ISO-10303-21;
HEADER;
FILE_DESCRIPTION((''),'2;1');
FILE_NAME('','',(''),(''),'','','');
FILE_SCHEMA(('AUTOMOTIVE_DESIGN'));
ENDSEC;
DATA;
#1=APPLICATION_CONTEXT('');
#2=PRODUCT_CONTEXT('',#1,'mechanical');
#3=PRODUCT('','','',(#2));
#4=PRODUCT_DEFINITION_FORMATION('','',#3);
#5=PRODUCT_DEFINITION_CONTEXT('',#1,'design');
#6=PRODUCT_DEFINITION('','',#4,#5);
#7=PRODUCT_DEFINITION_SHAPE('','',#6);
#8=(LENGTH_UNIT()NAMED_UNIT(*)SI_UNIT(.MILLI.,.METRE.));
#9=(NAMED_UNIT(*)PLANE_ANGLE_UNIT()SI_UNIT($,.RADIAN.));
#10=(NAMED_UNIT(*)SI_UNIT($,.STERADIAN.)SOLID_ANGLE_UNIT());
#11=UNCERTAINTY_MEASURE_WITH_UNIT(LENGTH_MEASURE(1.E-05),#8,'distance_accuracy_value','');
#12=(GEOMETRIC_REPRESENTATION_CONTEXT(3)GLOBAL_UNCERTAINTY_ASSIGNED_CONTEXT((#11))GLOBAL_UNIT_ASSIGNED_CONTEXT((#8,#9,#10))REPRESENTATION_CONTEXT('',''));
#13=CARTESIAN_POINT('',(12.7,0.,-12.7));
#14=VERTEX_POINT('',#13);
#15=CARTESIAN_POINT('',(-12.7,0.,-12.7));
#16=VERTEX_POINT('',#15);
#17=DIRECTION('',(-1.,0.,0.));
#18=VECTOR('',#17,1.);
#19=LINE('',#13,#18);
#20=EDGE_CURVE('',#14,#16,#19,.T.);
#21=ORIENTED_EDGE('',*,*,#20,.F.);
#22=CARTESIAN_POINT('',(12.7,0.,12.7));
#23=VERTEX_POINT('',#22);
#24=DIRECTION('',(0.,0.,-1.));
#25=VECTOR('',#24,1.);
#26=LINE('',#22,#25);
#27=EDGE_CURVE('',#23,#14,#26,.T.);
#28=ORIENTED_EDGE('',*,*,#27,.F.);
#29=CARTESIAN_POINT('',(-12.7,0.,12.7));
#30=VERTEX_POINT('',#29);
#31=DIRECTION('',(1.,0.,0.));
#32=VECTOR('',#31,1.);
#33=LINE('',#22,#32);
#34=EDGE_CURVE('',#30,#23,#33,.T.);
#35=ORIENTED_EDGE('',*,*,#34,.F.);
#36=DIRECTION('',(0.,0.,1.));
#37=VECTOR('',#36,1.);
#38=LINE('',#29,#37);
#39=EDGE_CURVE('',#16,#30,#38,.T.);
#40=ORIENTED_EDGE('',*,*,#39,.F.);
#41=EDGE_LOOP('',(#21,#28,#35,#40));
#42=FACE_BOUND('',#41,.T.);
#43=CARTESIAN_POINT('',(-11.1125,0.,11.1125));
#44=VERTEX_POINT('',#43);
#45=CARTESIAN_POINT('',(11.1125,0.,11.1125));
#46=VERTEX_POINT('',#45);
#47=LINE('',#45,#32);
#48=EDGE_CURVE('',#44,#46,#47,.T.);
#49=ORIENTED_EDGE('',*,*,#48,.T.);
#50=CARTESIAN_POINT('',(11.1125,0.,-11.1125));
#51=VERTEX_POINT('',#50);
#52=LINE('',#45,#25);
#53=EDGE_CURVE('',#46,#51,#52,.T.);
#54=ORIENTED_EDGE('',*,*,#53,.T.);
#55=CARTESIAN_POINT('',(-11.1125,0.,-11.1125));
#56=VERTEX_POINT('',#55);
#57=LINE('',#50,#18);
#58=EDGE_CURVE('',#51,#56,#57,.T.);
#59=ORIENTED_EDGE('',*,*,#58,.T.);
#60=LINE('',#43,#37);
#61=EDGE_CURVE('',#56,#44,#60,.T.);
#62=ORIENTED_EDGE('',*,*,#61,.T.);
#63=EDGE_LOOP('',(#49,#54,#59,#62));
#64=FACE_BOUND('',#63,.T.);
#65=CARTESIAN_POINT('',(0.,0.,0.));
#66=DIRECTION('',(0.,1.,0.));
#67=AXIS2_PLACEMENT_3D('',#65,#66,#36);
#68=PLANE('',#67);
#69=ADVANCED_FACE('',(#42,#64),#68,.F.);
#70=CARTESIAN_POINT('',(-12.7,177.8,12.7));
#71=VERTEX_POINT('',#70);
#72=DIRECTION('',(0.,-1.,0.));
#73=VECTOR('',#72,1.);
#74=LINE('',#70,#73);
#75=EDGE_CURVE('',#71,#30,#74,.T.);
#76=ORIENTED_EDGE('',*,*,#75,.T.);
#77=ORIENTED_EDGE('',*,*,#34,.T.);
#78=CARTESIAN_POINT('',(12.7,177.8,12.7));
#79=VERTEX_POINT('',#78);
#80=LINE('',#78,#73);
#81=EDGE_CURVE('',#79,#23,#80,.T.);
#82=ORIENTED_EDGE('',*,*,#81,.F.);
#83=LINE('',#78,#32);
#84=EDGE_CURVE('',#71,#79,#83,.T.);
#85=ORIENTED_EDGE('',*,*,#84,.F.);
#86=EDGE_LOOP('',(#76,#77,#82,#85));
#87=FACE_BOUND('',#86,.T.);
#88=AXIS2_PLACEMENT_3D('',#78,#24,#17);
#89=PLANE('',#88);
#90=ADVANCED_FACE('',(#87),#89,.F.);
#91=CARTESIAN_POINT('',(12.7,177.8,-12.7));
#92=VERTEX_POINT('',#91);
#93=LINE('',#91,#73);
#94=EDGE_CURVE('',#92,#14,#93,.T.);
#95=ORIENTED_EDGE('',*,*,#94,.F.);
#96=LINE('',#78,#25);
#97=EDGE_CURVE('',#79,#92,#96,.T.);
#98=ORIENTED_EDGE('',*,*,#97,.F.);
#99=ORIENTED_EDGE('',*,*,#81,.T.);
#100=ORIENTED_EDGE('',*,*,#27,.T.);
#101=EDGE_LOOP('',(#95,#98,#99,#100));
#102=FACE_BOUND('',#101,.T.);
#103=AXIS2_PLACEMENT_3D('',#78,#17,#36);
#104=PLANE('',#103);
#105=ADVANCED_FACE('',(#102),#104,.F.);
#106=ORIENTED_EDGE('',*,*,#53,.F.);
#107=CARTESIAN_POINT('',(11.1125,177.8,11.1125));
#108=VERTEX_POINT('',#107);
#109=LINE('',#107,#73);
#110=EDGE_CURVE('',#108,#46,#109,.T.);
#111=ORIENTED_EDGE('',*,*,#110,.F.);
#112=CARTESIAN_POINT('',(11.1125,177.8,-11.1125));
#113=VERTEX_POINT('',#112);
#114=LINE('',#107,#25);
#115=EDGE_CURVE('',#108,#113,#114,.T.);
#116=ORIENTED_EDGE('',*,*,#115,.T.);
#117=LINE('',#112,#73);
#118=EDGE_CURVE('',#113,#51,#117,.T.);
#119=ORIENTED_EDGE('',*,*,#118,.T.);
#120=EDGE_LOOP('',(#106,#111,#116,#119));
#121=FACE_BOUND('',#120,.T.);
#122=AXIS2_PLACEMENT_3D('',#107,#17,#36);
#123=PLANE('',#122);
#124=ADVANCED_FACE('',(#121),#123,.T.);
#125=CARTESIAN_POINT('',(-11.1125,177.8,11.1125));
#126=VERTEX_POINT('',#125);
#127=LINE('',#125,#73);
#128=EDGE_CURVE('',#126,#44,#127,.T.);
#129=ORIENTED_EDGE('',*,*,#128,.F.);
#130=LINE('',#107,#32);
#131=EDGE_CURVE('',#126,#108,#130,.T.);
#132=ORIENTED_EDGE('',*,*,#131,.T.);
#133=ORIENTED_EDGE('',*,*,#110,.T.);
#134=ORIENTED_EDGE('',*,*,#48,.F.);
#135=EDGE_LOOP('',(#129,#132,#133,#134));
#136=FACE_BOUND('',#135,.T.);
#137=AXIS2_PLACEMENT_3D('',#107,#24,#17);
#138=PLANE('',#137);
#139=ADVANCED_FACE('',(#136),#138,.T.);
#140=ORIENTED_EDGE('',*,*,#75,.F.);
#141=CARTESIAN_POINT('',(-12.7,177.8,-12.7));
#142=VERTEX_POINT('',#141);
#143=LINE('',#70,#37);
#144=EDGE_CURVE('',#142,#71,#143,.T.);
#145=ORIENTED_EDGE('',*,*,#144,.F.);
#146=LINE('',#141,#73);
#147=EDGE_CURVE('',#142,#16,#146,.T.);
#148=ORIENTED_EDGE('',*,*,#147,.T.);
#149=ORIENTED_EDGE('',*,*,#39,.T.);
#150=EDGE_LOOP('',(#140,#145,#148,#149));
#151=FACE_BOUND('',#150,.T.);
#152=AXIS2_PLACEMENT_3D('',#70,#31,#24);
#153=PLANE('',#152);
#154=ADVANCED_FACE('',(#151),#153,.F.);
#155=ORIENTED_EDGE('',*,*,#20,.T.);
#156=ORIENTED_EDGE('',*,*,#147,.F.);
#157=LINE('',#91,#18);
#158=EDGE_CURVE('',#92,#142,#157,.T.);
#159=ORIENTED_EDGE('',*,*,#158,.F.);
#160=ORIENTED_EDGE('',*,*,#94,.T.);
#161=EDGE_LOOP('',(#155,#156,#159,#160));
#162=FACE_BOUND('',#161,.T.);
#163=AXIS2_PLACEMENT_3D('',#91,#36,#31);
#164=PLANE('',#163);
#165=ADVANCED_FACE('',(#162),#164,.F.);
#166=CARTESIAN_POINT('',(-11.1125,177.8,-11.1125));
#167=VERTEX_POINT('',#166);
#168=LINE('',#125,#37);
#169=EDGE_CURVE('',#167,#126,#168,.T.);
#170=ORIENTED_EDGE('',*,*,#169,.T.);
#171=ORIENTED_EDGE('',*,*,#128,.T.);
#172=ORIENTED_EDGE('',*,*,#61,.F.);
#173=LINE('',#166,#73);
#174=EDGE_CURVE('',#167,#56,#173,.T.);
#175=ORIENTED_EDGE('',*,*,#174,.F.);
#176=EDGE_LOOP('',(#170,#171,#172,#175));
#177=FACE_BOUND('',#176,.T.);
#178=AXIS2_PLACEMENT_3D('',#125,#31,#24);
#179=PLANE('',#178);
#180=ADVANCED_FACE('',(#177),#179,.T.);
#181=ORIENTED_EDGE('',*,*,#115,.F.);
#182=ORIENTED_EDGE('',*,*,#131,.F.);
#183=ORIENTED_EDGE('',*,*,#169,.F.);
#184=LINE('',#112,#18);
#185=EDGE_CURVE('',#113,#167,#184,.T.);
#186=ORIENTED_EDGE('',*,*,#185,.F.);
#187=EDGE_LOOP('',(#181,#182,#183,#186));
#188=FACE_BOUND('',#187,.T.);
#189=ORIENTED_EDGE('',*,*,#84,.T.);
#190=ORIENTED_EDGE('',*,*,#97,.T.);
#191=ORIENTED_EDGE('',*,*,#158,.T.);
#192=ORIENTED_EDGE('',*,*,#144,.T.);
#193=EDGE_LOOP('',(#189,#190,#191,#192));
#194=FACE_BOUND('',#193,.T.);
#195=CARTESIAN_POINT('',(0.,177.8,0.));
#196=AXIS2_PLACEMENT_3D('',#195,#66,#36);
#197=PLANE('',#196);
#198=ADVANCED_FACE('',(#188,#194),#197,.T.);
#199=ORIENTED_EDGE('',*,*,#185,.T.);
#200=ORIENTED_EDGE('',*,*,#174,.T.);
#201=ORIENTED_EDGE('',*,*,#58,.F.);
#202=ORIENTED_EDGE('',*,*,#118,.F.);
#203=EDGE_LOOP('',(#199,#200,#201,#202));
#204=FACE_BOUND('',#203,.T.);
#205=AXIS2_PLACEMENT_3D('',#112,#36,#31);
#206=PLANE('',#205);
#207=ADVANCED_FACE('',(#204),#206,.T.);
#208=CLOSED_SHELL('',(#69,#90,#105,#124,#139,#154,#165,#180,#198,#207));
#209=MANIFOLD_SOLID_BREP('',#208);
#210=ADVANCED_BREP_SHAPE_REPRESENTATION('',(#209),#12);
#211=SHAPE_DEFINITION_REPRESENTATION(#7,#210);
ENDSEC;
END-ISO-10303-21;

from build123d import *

# Parameters (mm, degrees)
SKETCH1_W           = 25.4
SKETCH1_H           = 25.4
SKETCH1_W_2         = 22.225
SKETCH1_H_2         = 22.225
BOSS_EXTRUDE1_DEPTH = 177.8


with BuildPart() as part:
    # Sketch1 → Boss-Extrude1 (new body)
    with BuildSketch(Plane(origin=(0, 0, 0), x_dir=(1, 0, 0), z_dir=(0, 1, 0))):
        Rectangle(SKETCH1_W, SKETCH1_H)
        Rectangle(SKETCH1_W_2, SKETCH1_H_2, mode=Mode.SUBTRACT)
    extrude(amount=BOSS_EXTRUDE1_DEPTH)


solid = part.part
